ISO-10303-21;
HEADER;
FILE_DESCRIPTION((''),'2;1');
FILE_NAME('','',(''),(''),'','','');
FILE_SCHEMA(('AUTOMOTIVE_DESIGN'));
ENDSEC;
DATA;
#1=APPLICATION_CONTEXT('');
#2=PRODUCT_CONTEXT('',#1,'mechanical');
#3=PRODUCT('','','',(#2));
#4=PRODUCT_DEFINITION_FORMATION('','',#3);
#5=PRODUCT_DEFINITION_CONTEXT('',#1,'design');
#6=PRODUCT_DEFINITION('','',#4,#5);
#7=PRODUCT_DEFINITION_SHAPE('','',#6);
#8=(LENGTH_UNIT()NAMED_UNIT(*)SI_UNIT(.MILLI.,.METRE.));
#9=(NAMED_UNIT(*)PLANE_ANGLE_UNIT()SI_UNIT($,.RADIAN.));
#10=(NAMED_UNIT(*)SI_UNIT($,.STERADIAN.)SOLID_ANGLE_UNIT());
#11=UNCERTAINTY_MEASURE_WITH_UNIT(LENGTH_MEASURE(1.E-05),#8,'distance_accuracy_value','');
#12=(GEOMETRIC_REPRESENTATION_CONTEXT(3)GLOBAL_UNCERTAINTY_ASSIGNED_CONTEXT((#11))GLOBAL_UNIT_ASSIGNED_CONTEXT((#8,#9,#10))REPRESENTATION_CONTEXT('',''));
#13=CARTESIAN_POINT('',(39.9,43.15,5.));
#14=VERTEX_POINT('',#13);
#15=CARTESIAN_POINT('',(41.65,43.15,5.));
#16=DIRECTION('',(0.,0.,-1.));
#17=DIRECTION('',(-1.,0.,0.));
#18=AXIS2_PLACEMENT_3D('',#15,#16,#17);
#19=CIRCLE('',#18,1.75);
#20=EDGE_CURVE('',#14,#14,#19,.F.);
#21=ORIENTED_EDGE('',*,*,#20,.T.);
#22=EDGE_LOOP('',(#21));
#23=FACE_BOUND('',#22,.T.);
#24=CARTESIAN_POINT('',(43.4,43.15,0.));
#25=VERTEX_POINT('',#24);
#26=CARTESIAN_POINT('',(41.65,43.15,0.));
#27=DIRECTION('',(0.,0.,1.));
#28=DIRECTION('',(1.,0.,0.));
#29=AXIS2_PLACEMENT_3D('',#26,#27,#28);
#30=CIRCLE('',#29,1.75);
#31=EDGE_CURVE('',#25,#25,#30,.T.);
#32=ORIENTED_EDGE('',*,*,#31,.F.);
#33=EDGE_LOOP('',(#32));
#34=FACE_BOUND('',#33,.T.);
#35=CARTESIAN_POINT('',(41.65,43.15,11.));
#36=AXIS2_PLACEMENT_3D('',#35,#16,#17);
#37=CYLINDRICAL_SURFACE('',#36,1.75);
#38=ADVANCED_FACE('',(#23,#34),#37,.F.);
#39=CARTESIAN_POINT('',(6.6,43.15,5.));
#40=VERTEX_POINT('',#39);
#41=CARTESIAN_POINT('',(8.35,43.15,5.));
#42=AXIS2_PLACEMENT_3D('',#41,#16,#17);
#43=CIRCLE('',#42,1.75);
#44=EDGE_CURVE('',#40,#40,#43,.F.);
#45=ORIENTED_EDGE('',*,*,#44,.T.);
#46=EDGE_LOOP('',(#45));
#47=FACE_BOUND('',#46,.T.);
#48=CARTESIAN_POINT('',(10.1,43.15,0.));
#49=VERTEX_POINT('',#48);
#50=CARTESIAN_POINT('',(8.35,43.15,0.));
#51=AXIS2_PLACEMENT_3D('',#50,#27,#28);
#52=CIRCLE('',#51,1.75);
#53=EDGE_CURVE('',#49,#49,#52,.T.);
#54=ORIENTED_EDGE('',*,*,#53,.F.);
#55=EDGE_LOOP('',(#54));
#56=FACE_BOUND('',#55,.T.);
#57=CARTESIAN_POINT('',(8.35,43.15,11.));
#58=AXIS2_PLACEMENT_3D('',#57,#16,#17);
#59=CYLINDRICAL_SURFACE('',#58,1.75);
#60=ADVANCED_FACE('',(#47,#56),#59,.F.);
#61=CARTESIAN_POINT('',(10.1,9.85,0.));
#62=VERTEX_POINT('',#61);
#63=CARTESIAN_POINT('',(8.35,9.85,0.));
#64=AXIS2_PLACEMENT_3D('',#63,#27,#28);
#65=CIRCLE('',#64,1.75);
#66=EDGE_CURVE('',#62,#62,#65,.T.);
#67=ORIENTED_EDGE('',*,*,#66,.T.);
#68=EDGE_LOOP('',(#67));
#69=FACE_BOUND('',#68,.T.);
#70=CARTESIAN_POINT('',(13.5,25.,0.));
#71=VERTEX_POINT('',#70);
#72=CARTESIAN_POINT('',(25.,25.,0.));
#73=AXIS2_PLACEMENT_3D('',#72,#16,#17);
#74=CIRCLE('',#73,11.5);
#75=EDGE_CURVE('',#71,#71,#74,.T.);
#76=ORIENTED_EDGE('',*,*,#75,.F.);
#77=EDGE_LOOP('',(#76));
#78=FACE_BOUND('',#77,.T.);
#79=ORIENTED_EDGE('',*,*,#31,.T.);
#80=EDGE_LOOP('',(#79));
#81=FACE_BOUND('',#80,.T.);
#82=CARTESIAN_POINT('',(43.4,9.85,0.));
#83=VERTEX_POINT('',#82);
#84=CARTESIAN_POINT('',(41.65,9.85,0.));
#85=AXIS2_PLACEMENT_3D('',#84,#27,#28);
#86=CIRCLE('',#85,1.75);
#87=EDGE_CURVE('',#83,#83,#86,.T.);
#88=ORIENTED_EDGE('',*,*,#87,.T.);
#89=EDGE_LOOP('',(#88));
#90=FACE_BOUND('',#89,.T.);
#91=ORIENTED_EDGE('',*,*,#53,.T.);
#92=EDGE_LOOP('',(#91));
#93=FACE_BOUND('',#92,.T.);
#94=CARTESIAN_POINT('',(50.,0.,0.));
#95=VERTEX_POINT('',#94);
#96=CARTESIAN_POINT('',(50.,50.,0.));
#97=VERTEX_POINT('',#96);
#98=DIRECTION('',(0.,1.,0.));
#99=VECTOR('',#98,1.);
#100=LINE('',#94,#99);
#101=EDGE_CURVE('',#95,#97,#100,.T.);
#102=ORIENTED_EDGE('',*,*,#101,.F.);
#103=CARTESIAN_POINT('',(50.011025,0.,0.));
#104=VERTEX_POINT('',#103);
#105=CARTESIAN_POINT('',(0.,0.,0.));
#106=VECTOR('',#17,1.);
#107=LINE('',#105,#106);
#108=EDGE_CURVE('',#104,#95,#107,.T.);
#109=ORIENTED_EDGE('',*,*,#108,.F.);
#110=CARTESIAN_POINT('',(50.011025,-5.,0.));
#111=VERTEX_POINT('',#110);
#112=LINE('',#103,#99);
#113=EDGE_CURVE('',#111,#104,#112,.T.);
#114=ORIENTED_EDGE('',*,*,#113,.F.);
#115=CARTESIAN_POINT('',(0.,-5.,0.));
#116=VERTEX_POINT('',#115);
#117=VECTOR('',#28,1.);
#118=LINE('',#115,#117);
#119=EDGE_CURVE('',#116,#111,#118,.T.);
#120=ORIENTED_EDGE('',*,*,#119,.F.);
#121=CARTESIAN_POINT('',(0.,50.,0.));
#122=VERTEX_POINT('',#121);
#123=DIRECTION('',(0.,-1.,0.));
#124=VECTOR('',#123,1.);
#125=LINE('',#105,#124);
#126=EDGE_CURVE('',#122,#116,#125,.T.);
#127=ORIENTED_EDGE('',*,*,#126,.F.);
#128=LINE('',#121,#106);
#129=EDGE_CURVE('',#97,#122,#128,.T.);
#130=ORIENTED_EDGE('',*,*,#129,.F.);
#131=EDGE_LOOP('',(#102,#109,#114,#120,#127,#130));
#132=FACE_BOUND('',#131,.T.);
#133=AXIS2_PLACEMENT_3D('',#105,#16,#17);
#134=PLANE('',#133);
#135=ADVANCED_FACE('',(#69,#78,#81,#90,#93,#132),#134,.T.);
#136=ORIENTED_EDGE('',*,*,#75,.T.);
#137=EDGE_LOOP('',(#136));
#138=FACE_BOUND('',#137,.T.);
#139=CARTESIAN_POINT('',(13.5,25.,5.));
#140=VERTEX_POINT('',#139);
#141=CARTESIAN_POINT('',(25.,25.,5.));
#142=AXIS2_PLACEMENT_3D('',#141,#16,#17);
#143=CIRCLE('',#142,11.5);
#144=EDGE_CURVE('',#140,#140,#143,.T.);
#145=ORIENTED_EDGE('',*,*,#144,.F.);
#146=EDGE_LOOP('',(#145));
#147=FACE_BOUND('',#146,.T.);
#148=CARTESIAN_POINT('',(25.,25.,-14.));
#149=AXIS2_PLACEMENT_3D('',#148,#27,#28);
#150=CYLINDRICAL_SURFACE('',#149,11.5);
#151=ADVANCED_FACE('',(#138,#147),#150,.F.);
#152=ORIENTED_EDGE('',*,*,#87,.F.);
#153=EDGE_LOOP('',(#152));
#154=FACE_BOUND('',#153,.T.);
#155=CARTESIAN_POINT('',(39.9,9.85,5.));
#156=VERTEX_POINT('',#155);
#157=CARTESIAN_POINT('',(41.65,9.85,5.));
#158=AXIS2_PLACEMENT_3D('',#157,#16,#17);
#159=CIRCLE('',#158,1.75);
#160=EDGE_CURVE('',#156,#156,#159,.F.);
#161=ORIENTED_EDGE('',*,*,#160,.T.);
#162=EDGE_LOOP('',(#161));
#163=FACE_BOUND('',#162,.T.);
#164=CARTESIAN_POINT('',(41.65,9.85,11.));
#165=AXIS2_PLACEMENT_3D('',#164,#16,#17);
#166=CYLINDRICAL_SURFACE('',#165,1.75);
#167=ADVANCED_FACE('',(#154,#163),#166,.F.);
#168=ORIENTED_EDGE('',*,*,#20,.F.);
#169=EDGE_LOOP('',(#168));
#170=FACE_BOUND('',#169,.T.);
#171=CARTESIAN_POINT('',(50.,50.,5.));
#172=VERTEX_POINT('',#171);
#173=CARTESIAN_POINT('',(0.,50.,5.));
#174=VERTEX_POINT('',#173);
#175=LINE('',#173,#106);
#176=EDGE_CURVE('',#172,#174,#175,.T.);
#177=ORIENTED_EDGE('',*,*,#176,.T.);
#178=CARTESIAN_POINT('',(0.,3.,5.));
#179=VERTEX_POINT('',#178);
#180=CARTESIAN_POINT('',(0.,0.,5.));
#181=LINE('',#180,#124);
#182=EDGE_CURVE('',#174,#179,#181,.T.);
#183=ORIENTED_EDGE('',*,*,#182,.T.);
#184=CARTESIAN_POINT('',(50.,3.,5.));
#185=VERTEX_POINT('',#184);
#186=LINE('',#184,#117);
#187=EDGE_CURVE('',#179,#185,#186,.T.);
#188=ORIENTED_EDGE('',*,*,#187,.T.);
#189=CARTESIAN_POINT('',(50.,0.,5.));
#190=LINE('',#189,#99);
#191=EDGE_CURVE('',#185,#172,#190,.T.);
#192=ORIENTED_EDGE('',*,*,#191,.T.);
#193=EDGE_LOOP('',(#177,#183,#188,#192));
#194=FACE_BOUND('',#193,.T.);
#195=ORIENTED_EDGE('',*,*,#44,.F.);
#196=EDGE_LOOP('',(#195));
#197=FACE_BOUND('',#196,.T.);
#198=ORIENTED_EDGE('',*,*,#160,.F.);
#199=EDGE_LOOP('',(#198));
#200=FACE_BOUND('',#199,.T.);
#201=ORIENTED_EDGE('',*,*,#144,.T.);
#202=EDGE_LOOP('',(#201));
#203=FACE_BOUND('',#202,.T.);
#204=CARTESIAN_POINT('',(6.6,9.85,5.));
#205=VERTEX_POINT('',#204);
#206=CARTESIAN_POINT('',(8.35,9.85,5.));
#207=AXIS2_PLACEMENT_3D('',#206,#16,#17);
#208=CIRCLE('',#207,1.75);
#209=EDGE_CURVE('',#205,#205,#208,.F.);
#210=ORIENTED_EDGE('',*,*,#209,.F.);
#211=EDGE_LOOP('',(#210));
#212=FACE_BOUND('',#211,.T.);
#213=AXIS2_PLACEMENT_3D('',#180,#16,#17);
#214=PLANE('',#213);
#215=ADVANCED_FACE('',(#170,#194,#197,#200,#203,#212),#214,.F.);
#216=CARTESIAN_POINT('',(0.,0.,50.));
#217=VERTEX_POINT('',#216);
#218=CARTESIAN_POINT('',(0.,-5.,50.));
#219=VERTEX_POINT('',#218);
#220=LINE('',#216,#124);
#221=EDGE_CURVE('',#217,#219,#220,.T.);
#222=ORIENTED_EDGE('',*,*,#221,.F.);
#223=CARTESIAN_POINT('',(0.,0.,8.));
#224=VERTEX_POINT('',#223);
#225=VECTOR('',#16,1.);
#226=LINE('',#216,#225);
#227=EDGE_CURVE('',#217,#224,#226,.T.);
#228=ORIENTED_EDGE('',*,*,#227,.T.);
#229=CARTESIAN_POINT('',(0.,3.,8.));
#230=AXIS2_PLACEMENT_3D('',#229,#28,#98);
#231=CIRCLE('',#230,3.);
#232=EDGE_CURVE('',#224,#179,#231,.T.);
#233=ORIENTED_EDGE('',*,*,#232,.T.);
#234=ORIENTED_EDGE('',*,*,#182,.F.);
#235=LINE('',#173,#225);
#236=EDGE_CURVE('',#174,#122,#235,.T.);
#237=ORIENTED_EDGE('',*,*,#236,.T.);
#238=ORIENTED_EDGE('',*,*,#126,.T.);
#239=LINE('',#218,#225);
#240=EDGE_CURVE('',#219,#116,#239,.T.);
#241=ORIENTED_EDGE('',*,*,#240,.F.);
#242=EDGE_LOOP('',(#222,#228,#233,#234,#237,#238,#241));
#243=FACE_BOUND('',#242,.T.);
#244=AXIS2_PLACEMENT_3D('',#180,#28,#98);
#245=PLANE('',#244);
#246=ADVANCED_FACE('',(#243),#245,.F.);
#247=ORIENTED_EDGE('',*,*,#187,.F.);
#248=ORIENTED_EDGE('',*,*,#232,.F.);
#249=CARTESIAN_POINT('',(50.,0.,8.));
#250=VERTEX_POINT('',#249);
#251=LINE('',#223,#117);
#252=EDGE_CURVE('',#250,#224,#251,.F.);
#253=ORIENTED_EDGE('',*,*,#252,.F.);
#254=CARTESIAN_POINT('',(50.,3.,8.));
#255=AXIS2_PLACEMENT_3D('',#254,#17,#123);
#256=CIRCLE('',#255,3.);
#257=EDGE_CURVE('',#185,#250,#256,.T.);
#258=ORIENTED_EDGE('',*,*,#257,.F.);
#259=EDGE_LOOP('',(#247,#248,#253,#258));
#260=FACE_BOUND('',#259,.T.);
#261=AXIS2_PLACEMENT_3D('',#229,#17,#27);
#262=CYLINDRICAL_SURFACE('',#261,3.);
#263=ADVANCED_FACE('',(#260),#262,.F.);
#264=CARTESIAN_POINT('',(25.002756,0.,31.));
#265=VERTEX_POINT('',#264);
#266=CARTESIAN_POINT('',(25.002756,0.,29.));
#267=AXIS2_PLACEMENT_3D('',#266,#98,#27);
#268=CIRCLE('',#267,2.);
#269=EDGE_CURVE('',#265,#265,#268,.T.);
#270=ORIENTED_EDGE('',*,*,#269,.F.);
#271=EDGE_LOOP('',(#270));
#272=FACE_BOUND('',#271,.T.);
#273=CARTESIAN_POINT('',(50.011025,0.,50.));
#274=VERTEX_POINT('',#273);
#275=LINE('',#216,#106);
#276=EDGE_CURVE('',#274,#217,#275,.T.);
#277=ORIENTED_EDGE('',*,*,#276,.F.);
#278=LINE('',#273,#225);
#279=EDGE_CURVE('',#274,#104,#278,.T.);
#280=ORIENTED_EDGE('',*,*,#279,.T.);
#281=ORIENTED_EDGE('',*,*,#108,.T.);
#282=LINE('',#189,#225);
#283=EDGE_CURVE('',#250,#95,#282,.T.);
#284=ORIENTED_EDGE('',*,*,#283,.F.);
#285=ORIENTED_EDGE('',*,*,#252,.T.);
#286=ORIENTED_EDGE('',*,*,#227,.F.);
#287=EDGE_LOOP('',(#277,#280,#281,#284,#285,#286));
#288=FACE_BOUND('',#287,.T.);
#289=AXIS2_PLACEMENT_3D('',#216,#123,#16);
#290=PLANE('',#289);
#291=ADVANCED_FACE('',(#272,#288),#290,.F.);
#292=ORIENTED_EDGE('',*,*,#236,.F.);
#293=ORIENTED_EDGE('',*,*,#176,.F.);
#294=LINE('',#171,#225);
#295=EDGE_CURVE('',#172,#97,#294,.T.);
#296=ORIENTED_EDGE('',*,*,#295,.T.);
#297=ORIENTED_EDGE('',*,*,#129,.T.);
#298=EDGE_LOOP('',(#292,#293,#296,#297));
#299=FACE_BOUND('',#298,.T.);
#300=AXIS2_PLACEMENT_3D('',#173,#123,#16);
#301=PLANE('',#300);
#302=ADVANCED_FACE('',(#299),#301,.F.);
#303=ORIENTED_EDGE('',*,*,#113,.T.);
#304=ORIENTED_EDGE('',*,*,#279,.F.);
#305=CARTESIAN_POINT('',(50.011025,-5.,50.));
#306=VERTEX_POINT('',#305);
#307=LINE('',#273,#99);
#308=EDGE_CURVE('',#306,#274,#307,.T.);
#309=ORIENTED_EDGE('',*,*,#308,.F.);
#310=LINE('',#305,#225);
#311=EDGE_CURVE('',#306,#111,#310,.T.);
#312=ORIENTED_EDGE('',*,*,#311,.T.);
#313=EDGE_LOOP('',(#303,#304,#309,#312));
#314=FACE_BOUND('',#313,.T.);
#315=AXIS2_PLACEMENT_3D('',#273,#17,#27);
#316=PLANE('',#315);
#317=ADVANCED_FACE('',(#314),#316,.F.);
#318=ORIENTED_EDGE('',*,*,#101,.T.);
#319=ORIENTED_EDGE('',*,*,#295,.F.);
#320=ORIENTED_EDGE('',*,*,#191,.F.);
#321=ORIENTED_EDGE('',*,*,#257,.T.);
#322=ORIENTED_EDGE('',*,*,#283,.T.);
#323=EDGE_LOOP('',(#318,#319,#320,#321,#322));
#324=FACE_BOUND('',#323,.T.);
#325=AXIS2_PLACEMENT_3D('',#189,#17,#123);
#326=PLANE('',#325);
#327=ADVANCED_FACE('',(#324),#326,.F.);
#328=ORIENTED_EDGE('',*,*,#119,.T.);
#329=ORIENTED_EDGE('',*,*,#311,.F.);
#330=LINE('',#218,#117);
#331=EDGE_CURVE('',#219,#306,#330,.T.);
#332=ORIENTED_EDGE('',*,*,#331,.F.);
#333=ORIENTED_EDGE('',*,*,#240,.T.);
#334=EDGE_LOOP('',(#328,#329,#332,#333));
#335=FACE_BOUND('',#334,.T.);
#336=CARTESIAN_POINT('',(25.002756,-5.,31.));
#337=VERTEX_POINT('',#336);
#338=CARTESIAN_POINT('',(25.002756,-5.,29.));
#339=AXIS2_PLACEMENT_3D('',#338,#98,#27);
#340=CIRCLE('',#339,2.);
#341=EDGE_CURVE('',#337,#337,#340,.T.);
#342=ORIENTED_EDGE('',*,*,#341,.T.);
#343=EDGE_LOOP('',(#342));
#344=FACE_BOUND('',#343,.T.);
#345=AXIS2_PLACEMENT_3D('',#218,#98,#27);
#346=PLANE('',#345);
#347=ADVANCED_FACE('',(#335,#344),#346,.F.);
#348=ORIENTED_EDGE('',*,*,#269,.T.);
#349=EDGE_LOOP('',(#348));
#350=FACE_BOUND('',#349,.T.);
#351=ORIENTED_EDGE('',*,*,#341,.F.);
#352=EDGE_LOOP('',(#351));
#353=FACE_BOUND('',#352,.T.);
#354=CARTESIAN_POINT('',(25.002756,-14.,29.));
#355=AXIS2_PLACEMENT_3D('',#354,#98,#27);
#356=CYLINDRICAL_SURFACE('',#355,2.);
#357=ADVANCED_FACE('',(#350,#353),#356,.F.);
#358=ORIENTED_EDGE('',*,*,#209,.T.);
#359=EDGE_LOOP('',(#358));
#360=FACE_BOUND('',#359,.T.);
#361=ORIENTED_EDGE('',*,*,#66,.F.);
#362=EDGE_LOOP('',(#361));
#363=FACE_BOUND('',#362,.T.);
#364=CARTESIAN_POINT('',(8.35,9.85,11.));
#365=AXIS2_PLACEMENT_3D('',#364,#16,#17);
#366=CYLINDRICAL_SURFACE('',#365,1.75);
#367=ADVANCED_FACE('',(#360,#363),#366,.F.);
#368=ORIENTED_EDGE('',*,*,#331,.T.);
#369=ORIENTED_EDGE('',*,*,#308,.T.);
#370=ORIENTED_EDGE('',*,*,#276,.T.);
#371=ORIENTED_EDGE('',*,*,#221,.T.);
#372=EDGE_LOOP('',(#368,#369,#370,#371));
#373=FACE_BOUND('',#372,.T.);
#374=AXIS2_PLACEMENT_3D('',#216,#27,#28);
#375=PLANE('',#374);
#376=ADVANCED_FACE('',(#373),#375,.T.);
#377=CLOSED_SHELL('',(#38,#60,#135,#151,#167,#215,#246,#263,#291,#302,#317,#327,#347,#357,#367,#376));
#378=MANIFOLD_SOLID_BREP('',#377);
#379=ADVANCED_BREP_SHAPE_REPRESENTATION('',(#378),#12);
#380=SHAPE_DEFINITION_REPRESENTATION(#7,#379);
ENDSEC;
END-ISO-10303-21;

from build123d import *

# Parameters (mm, degrees)
ESBO_O1_W                  = 50
ESBO_O1_H                  = 50
RESSALTO_EXTRUS_O1_DEPTH   = 5
ESBO_O2_R                  = 11.5
CORTE_EXTRUS_O1_DEPTH      = 8
CORTE_EXTRUS_O1_DEPTH_BACK = 14
ESBO_O3_W                  = 50.011024838
ESBO_O3_H                  = 5
RESSALTO_EXTRUS_O2_DEPTH   = 50
FILETE1_R                  = 3
ESBO_O4_R                  = 1.75
CORTE_EXTRUS_O2_DEPTH      = 11
ESBO_O5_R                  = 2
CORTE_EXTRUS_O4_DEPTH      = 14


with BuildPart() as part:
    # Esboço1 → Ressalto-extrusão1 (new body)
    with BuildSketch(Plane.XY):
        with Locations((25, 25)):
            Rectangle(ESBO_O1_W, ESBO_O1_H)
    extrude(amount=RESSALTO_EXTRUS_O1_DEPTH)

    # Esboço2 → Corte-extrusão1 (cut, two sides)
    with BuildSketch(Plane.XY) as corte_extrus_o1_sk:
        with Locations((25, 25)):
            Circle(ESBO_O2_R)
    extrude(amount=CORTE_EXTRUS_O1_DEPTH, mode=Mode.SUBTRACT)
    extrude(corte_extrus_o1_sk.sketch, amount=-CORTE_EXTRUS_O1_DEPTH_BACK, mode=Mode.SUBTRACT)

    # Esboço3 → Ressalto-extrusão2 (add)
    with BuildSketch(Plane.XY):
        with Locations((25.005512419, -2.5)):
            Rectangle(ESBO_O3_W, ESBO_O3_H)
    extrude(amount=RESSALTO_EXTRUS_O2_DEPTH)

    # Filete1
    filete1_edges = [part.edges().sort_by_distance(p)[0] for p in [
        (25, 0, 5),
    ]]
    fillet(filete1_edges, radius=FILETE1_R)

    # Esboço4 → Corte-extrusão2 (cut)
    with BuildSketch(Plane.XY):
        with Locations((8.35, 43.15)):
            Circle(ESBO_O4_R)
        with Locations((41.65, 43.15)):
            Circle(ESBO_O4_R)
        with Locations((41.65, 9.85)):
            Circle(ESBO_O4_R)
        with Locations((8.35, 9.85)):
            Circle(ESBO_O4_R)
    extrude(amount=CORTE_EXTRUS_O2_DEPTH, mode=Mode.SUBTRACT)

    # Esboço5 → Corte-extrusão4 (cut)
    with BuildSketch(Plane(origin=(0, 0, 0), x_dir=(1, 0, 0), z_dir=(0, 1, 0))):
        with Locations((25.002756209, -29)):
            Circle(ESBO_O5_R)
    extrude(amount=-CORTE_EXTRUS_O4_DEPTH, mode=Mode.SUBTRACT)


solid = part.part
